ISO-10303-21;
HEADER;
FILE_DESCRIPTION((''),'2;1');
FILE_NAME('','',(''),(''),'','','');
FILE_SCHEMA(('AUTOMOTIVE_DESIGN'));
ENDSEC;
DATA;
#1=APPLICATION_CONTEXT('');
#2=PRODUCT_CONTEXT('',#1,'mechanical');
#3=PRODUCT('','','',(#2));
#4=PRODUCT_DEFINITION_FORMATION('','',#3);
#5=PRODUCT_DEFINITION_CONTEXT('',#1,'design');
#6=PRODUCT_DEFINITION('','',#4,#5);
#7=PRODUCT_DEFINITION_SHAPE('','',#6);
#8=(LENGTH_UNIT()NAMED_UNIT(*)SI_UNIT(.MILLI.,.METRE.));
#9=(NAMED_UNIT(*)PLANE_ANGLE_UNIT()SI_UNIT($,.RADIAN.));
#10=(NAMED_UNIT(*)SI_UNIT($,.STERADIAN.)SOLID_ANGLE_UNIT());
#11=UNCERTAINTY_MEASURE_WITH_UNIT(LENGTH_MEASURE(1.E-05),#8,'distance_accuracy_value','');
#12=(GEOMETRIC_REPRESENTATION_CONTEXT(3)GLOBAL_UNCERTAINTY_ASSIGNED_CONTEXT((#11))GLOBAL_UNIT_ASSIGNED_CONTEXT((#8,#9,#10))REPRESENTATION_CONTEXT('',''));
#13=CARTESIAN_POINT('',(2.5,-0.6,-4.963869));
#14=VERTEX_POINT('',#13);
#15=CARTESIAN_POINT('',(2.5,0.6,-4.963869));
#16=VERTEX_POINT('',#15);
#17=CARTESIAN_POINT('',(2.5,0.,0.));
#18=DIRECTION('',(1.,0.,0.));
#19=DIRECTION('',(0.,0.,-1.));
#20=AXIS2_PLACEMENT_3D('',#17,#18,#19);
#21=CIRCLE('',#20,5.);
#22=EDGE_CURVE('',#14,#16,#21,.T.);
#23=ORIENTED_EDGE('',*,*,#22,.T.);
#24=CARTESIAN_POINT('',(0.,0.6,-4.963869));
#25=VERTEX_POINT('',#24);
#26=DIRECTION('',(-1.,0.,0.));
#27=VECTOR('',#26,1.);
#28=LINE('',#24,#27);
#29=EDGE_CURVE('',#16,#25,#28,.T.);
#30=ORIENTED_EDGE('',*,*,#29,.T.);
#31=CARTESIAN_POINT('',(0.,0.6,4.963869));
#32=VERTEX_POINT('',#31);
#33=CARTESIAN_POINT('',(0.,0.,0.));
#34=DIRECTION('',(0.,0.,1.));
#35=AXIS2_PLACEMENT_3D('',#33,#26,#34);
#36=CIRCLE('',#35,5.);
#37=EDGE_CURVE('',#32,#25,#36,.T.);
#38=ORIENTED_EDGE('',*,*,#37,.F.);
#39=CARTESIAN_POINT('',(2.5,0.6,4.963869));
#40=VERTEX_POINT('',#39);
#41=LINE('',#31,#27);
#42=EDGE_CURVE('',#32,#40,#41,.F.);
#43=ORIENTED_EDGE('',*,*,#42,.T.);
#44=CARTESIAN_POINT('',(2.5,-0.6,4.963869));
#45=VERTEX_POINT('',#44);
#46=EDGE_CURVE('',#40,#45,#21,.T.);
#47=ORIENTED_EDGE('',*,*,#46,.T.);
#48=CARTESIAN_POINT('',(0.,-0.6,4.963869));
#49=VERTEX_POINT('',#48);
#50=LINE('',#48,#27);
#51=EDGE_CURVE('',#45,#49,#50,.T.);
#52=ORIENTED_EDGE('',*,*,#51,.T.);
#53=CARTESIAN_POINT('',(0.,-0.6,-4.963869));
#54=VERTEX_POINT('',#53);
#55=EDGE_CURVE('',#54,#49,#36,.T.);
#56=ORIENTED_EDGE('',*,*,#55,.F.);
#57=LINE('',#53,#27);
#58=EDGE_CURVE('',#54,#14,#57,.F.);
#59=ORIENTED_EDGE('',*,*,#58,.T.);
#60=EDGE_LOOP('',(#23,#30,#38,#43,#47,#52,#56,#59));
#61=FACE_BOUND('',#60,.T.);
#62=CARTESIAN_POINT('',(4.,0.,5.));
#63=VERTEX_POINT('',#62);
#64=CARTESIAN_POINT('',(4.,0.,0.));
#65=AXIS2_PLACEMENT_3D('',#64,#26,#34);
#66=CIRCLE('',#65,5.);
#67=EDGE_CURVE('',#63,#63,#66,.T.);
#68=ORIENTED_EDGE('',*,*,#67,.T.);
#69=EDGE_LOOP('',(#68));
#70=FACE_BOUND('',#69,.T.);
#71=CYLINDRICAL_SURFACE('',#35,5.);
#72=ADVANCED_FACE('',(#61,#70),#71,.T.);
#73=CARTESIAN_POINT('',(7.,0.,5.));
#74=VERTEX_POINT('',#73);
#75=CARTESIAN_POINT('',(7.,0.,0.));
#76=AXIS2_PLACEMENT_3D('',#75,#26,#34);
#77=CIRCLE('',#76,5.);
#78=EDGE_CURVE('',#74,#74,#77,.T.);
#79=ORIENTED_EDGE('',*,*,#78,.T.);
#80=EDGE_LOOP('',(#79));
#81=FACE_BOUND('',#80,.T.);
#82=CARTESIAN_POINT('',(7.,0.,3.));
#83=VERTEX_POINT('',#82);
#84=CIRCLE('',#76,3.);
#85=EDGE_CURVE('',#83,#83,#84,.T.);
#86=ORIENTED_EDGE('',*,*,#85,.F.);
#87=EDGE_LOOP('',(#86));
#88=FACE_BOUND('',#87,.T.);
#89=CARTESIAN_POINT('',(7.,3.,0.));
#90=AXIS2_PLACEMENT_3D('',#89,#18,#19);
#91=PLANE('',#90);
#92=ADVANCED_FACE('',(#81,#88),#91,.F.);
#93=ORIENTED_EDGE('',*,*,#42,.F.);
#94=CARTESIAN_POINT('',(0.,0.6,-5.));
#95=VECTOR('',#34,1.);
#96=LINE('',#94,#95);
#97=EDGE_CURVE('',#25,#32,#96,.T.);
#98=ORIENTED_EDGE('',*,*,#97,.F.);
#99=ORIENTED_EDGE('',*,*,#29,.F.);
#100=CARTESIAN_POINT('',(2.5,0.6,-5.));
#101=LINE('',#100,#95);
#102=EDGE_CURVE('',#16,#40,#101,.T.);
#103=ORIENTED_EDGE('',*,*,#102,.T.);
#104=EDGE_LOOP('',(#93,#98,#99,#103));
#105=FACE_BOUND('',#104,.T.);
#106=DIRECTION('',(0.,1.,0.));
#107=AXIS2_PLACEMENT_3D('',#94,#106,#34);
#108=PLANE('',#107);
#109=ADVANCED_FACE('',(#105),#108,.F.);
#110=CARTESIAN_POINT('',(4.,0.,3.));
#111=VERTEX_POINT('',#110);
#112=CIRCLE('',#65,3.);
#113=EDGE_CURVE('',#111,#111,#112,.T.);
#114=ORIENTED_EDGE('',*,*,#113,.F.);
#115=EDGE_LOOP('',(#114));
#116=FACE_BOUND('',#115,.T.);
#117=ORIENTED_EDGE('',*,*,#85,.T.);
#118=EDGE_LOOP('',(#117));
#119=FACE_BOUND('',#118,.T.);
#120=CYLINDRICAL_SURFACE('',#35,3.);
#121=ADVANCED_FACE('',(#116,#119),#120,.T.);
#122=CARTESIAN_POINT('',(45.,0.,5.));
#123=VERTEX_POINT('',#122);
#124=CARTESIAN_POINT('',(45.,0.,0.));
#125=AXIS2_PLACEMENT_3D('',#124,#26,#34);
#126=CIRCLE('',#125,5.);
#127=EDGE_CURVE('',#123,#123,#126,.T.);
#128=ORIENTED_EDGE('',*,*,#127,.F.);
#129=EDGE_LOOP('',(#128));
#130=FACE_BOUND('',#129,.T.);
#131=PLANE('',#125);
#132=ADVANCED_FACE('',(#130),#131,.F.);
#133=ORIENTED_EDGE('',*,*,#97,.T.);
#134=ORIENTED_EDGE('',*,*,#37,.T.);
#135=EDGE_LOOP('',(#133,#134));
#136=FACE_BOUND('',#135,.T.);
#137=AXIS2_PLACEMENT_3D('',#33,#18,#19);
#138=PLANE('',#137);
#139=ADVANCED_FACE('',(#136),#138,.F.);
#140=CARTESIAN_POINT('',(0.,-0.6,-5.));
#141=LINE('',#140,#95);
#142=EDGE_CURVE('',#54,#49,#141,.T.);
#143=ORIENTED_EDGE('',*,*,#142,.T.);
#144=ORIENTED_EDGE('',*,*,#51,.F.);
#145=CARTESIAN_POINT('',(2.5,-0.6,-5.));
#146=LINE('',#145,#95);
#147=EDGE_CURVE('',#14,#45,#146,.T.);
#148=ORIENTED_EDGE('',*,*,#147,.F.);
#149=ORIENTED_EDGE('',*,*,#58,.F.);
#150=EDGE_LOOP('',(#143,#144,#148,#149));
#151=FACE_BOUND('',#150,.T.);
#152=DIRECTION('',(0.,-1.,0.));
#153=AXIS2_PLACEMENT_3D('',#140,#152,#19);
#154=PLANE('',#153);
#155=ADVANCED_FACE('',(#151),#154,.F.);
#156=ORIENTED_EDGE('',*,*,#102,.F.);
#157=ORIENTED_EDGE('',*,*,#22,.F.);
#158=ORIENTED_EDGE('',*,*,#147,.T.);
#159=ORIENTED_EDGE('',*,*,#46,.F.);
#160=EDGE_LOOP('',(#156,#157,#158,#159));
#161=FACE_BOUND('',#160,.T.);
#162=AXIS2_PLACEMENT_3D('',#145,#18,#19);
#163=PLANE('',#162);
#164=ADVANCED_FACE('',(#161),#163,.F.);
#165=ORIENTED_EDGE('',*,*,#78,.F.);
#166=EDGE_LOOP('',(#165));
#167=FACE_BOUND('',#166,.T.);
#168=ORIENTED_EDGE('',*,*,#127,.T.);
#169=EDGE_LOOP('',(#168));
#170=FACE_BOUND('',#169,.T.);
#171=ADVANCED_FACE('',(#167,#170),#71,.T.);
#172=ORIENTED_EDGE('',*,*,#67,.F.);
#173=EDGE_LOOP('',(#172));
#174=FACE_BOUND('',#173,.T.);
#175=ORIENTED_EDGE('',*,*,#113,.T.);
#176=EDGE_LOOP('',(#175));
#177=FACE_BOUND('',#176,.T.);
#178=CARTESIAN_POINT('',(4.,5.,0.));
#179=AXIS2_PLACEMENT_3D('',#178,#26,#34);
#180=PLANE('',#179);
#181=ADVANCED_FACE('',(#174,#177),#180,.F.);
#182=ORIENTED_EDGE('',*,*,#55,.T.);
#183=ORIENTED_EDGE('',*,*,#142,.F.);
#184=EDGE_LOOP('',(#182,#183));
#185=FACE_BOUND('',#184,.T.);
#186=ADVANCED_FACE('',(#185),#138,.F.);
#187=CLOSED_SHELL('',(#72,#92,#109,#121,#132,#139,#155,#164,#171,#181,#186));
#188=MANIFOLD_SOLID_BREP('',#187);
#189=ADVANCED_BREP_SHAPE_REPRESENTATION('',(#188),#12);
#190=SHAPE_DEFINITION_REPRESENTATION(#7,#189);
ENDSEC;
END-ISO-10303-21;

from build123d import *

# Parameters (mm, degrees)
CUT_EXTRUDE1_DEPTH      = 46.552167896
CUT_EXTRUDE1_DEPTH_BACK = 46.552167896
SKETCH2_W               = 2.5
SKETCH2_H               = 1.2


with BuildPart() as part:
    # Sketch1 → Revolve1 (revolve)
    with BuildSketch(Plane.XY, mode=Mode.PRIVATE) as revolve1_sk:
        Polygon((4, 5), (4, 3), (7, 3), (7, 5), (45, 5), (45, 0), (0, 0), (0, 5), align=None)
    revolve(revolve1_sk.sketch.rotate(Axis((0, 0, 0), (1, 0, 0)), 90), axis=Axis((0, 0, 0), (1, 0, 0)))

    # Sketch2 → Cut-Extrude1 (cut, two sides: drawn at the far end of the back side and taken through both)
    with BuildSketch(Plane.XY.offset(-CUT_EXTRUDE1_DEPTH_BACK)):
        with Locations((1.25, 0)):
            Rectangle(SKETCH2_W, SKETCH2_H)
    extrude(amount=CUT_EXTRUDE1_DEPTH + CUT_EXTRUDE1_DEPTH_BACK, mode=Mode.SUBTRACT)


solid = part.part
